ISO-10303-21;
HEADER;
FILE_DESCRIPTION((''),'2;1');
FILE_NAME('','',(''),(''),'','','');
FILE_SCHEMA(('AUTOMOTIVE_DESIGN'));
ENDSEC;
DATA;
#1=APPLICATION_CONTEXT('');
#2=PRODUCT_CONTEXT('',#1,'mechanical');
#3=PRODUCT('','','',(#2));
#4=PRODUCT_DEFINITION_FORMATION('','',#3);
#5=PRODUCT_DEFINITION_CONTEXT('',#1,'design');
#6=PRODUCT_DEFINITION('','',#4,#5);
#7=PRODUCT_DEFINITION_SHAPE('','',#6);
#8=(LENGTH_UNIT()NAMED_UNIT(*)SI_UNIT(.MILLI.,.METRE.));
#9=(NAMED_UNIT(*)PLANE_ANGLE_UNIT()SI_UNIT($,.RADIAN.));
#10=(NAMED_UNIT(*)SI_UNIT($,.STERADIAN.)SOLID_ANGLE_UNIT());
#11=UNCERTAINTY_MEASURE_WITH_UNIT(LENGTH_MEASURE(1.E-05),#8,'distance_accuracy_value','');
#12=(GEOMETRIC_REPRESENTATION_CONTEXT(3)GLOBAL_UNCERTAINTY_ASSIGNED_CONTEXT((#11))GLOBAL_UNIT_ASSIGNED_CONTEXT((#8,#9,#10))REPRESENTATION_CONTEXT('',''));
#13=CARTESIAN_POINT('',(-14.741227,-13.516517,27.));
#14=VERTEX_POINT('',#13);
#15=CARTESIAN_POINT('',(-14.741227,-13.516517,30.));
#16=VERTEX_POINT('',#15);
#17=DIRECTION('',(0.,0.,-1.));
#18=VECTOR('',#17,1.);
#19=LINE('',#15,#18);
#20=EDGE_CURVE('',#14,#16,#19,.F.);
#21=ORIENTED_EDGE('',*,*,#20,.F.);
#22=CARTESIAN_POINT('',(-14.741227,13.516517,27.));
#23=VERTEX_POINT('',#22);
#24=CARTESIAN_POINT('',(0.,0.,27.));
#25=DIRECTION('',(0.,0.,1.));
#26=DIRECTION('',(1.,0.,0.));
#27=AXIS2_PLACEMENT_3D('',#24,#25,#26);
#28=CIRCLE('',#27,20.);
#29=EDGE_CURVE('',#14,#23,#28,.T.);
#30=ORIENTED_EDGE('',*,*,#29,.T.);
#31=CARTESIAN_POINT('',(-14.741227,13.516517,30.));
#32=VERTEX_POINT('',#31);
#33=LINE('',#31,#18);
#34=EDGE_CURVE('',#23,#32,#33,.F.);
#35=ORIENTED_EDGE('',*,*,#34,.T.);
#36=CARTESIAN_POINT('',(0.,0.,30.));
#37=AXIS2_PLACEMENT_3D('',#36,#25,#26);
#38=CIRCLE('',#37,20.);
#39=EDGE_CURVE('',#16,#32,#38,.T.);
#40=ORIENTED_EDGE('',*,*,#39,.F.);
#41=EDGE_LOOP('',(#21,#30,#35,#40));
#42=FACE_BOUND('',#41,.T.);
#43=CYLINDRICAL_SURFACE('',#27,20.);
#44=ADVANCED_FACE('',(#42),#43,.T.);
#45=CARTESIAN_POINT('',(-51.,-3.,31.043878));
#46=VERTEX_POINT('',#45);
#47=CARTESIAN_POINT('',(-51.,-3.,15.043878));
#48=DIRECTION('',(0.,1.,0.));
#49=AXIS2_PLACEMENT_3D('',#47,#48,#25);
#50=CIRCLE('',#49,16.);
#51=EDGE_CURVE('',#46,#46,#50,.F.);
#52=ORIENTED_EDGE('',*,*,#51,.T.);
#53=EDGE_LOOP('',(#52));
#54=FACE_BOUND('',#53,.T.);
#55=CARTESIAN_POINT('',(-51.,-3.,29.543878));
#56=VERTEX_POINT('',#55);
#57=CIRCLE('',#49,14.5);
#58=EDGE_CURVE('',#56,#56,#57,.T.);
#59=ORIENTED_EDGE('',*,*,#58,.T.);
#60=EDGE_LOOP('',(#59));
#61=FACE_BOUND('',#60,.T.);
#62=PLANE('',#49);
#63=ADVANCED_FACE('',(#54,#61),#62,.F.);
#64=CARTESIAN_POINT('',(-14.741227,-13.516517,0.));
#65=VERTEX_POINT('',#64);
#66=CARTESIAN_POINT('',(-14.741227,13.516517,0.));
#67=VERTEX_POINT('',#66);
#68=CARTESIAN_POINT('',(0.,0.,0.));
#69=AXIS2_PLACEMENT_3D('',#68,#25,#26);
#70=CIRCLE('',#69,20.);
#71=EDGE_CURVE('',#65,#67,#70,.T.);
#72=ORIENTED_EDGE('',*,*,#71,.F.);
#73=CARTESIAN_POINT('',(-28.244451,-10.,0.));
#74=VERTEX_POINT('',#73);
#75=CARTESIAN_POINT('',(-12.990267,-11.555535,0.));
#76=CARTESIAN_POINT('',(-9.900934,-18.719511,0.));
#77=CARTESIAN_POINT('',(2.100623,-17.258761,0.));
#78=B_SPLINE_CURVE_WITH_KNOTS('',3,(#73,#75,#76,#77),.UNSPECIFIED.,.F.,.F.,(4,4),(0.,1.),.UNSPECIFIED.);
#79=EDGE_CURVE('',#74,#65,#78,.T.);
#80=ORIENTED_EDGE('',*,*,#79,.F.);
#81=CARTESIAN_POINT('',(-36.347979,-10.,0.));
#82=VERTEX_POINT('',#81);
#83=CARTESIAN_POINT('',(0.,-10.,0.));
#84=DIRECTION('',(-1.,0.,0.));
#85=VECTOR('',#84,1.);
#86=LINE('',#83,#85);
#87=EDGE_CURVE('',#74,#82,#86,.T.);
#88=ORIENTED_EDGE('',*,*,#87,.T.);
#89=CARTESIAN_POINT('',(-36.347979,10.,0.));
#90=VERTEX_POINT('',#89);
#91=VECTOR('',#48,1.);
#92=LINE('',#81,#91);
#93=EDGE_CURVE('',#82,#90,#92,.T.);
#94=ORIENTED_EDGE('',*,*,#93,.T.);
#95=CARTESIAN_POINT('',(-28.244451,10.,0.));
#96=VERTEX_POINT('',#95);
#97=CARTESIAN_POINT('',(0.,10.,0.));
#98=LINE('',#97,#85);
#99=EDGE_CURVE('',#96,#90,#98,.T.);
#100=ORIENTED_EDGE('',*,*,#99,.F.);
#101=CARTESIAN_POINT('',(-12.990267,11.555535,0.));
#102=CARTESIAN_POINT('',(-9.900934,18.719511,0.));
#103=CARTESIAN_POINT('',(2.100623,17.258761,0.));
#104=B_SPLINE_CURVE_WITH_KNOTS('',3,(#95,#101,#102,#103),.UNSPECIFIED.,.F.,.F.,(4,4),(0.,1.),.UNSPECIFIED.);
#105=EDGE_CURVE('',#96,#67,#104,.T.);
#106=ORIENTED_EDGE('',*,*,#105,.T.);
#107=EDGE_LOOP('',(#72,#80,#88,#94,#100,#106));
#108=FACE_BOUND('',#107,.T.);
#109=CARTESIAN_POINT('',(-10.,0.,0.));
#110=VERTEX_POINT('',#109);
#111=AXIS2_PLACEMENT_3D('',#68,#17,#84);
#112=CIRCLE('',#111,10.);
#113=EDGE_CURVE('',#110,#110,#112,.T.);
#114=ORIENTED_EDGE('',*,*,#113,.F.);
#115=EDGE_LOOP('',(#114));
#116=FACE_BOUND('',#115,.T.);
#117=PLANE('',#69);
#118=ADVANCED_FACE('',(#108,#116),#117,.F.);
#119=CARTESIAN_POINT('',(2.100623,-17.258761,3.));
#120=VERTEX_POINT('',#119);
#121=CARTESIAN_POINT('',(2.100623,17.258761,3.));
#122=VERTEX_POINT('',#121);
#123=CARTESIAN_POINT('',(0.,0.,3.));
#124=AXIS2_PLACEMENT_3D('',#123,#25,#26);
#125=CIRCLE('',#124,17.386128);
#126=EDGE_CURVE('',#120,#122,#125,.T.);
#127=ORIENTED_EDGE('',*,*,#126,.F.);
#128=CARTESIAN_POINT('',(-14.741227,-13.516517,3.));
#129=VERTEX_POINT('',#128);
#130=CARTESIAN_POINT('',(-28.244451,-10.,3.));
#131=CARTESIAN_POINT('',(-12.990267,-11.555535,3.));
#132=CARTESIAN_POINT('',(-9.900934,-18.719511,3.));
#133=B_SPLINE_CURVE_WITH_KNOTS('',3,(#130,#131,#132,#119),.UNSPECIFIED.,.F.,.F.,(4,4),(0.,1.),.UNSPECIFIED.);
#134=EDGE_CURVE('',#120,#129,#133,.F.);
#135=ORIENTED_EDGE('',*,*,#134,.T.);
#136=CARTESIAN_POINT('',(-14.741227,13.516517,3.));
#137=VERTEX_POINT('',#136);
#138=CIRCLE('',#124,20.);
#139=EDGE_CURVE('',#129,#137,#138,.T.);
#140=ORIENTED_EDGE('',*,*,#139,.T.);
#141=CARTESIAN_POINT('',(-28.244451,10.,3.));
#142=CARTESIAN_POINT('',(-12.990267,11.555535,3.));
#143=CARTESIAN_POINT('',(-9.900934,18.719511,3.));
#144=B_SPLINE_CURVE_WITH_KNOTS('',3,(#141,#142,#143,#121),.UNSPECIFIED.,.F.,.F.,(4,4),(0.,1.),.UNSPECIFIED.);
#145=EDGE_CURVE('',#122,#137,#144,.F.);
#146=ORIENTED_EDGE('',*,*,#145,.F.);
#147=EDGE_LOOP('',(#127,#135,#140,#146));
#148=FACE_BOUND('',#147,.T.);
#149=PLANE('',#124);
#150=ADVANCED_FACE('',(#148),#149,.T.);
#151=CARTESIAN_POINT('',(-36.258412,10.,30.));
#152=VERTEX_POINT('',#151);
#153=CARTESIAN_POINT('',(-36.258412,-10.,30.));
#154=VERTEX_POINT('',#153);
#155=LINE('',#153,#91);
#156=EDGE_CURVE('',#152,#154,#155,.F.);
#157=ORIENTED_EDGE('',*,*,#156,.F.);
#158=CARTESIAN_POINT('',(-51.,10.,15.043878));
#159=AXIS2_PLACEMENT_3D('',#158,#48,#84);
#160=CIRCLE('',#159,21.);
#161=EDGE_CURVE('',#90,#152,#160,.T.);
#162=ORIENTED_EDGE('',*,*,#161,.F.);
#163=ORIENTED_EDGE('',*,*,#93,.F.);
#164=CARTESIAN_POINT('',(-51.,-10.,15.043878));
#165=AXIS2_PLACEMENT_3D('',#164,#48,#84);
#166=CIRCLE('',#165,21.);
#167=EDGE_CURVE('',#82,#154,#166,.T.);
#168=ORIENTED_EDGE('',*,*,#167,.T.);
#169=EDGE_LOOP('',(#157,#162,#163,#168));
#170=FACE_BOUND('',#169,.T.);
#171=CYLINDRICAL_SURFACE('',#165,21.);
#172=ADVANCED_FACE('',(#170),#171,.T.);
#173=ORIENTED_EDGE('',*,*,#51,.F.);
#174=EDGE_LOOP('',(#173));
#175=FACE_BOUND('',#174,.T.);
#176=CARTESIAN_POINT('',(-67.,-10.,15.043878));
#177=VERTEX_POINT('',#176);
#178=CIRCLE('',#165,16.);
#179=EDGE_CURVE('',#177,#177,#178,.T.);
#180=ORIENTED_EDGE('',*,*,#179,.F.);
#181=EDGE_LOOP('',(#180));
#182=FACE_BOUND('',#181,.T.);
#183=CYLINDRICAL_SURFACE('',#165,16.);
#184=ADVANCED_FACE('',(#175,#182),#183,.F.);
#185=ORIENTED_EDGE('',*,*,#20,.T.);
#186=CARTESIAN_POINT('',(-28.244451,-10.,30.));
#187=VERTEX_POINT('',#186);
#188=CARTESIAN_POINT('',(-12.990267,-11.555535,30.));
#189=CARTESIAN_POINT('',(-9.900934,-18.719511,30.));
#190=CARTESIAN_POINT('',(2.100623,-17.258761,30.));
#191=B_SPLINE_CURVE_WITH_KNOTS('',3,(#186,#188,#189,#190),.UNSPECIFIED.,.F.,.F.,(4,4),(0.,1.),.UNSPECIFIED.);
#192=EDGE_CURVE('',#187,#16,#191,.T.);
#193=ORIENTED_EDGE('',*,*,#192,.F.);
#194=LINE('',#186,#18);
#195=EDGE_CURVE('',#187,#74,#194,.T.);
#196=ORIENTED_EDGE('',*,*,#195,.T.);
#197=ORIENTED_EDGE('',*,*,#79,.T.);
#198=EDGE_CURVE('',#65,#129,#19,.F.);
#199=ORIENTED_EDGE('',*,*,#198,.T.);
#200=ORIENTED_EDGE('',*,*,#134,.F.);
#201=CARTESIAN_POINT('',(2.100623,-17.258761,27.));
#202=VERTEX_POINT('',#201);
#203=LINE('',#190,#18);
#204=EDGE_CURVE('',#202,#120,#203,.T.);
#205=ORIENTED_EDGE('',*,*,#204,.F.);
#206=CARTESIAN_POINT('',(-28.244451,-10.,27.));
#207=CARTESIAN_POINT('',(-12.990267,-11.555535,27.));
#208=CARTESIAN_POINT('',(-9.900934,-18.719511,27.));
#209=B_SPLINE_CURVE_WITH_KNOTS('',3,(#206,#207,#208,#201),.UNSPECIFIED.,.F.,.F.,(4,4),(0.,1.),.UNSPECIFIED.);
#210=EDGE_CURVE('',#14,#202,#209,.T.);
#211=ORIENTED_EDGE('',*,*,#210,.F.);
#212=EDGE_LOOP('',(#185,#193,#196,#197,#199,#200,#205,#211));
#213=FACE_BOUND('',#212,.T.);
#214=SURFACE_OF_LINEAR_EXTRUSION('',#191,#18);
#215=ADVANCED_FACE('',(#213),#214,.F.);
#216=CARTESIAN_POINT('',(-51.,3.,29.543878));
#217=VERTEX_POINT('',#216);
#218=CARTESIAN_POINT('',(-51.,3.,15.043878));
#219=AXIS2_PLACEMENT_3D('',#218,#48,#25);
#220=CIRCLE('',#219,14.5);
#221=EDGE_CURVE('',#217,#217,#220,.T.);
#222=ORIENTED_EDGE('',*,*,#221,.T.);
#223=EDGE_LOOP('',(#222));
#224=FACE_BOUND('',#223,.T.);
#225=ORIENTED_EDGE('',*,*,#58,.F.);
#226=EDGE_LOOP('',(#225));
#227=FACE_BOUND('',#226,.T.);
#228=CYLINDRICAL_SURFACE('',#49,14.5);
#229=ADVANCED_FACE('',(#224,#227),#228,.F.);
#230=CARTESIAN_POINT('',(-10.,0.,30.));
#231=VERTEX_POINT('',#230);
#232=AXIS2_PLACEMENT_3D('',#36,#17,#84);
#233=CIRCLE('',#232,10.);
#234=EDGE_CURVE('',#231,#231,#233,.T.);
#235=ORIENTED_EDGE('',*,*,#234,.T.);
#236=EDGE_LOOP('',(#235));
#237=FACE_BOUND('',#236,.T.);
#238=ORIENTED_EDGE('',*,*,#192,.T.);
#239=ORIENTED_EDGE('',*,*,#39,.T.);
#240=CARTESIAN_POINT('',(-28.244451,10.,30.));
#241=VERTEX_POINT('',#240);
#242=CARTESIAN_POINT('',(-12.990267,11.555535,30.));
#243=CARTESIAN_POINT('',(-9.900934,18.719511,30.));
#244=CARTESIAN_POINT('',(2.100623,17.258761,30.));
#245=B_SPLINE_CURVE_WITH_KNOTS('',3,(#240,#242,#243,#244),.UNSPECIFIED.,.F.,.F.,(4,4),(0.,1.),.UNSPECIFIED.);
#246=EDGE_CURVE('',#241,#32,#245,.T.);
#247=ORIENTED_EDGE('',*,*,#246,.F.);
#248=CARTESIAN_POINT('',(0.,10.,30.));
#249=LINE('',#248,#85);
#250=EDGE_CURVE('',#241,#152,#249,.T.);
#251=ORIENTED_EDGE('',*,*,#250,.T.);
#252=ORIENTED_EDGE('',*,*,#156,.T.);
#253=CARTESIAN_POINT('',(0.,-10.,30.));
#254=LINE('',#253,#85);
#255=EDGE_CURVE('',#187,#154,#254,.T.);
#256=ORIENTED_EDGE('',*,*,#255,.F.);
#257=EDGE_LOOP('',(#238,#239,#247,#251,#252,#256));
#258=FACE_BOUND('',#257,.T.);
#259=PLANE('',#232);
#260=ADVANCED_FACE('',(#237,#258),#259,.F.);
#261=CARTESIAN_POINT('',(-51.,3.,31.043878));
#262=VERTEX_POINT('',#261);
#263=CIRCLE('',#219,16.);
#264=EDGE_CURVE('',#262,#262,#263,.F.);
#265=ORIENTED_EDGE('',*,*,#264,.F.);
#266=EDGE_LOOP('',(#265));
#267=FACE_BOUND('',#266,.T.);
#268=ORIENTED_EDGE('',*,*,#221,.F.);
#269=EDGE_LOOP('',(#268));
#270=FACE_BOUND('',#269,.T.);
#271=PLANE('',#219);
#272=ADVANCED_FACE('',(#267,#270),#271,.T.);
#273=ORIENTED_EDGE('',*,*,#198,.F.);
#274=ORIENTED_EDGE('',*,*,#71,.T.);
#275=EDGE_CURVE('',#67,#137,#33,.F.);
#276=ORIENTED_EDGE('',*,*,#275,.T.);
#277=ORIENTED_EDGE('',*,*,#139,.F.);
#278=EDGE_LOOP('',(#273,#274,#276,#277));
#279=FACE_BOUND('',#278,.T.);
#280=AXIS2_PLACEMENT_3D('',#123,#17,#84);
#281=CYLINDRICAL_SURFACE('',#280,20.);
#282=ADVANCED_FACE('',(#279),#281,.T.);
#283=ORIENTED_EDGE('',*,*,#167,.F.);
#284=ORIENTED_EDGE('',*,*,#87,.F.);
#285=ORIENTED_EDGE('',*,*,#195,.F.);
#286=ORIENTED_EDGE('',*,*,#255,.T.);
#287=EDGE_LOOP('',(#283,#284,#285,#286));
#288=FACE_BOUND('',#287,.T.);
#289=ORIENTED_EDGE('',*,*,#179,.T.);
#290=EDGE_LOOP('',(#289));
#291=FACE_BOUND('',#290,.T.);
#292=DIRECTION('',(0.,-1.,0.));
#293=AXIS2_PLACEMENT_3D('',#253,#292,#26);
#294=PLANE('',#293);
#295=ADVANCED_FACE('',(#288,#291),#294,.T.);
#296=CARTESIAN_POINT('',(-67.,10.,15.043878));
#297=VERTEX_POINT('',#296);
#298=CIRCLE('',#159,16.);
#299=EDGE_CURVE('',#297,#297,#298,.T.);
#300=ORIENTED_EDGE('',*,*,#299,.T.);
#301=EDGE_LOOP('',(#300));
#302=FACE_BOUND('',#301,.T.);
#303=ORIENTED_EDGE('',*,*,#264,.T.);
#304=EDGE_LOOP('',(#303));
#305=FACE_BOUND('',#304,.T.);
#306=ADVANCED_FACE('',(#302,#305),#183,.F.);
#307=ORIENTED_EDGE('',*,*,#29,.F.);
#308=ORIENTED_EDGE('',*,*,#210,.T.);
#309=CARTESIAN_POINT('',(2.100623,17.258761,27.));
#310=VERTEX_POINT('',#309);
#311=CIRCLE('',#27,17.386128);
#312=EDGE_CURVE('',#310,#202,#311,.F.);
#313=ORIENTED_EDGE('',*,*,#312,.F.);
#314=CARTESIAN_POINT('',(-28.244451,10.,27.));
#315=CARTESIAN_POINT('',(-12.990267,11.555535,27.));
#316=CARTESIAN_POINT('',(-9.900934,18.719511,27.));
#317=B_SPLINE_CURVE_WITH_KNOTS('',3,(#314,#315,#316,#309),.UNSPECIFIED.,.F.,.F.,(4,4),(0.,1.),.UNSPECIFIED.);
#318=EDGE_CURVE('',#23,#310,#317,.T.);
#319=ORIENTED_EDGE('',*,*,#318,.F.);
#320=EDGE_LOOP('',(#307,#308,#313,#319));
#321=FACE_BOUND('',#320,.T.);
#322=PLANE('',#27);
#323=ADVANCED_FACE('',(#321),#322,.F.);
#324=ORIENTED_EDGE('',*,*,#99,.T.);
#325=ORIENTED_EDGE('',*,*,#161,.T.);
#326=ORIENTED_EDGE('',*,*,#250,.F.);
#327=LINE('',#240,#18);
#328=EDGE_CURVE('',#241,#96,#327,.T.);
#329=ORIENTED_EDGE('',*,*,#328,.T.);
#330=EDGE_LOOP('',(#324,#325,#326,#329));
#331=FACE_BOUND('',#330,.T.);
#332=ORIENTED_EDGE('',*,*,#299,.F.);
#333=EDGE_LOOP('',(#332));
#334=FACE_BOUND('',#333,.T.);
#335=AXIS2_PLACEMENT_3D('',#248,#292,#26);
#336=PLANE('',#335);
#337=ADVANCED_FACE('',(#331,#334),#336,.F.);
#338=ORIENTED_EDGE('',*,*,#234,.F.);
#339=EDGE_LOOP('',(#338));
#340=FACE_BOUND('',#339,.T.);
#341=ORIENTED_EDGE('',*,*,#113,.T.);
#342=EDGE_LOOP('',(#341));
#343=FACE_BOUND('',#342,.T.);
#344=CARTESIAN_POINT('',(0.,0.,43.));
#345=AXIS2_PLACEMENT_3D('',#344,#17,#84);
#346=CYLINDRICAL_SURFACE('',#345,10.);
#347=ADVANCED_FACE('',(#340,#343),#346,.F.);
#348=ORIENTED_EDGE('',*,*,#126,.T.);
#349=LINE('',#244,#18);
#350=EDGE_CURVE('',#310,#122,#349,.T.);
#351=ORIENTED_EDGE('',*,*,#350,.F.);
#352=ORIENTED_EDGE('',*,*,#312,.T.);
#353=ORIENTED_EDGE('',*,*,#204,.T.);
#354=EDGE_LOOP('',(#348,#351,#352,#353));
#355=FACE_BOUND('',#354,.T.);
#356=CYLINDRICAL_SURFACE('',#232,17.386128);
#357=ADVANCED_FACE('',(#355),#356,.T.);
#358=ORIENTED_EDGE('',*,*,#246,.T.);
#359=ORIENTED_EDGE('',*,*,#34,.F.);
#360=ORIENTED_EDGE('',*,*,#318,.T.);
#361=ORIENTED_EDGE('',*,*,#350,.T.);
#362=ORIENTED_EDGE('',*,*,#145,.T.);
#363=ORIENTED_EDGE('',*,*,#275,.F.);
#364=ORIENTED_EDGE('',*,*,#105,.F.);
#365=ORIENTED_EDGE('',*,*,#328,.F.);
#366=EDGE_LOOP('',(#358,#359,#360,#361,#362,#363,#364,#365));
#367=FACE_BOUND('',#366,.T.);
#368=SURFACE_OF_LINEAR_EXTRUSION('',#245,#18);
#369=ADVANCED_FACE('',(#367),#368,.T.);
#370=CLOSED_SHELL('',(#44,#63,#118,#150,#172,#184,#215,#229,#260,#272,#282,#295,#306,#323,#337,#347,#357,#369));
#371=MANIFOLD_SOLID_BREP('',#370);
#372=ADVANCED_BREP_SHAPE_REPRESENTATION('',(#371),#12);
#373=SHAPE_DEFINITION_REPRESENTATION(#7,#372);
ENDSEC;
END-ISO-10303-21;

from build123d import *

# Parameters (mm, degrees)
SKETCH1_R                = 20
BOSS_EXTRUDE1_DEPTH      = 3
BOSS_EXTRUDE2_DEPTH      = 30
BOSS_EXTRUDE3_START      = -3
SKETCH3_R                = 20
BOSS_EXTRUDE3_DEPTH      = 3
SKETCH4_R                = 10
CUT_EXTRUDE1_DEPTH       = 43
SKETCH6_R                = 21
SKETCH6_R_2              = 16
BOSS_EXTRUDE4_DEPTH      = 20
SKETCH7_R                = 16
CUT_EXTRUDE2_DEPTH       = 20
BOSS_EXTRUDE5_DEPTH      = 3
BOSS_EXTRUDE5_DEPTH_BACK = 3
SKETCH8_R                = 21
SKETCH8_R_2              = 14.5


with BuildPart() as part:
    # Sketch1 → Boss-Extrude1 (new body)
    with BuildSketch(Plane.XY):
        Circle(SKETCH1_R)
    extrude(amount=BOSS_EXTRUDE1_DEPTH)

    # Sketch2 → Boss-Extrude2 (add)
    with BuildSketch(Plane(origin=(0, 0, 0), x_dir=(-1, 0, 0), z_dir=(0, 0, -1))):
        with BuildLine():
            Line((40, 10), (40, -10))
            Line((40, -10), (28.244450832, -10))
            add(Edge.make_bspline(
                [(28.244450832, -10), (12.990267169, -11.555535356), (9.900933724, -18.719511351), (-2.100622964, -17.258760722)],
                knots=[0, 0, 0, 0, 1, 1, 1, 1], degree=3))
            ThreePointArc((-2.100622964, -17.258760722), (-17.38612776, 0), (-2.100622964, 17.258760722))
            add(Edge.make_bspline(
                [(28.244450832, 10), (12.990267169, 11.555535356), (9.900933724, 18.719511351), (-2.100622964, 17.258760722)],
                knots=[0, 0, 0, 0, 1, 1, 1, 1], degree=3))
            Line((28.244450832, 10), (40, 10))
        make_face()
    extrude(amount=-BOSS_EXTRUDE2_DEPTH)

    # Sketch3 → Boss-Extrude3 (add)
    with BuildSketch(Plane.XY.offset(30).offset(BOSS_EXTRUDE3_START)):
        Circle(SKETCH3_R)
    extrude(amount=BOSS_EXTRUDE3_DEPTH)

    # Sketch4 → Cut-Extrude1 (cut)
    with BuildSketch(Plane(origin=(0, 0, 0), x_dir=(-1, 0, 0), z_dir=(0, 0, -1))):
        Circle(SKETCH4_R)
    extrude(amount=-CUT_EXTRUDE1_DEPTH, mode=Mode.SUBTRACT)

    # Sketch6 → Boss-Extrude4 (add)
    with BuildSketch(Plane(origin=(0, 10, 0), x_dir=(1, 0, 0), z_dir=(0, 1, 0))):
        with Locations((-51, -15.043878404)):
            Circle(SKETCH6_R)
        with Locations((-51, -15.043878404)):
            Circle(SKETCH6_R_2, mode=Mode.SUBTRACT)
    extrude(amount=-BOSS_EXTRUDE4_DEPTH)

    # Sketch7 → Cut-Extrude2 (cut)
    with BuildSketch(Plane(origin=(0, 10, 0), x_dir=(1, 0, 0), z_dir=(0, 1, 0))):
        with Locations(Location((-51, -15.043878404, 0), (0, 0, 180))):
            Circle(SKETCH7_R)
    extrude(amount=-CUT_EXTRUDE2_DEPTH, mode=Mode.SUBTRACT)

    # Sketch8 → Boss-Extrude5 (add, two sides: drawn at the far end of the back side and taken through both)
    with BuildSketch(Plane(origin=(0, 0, 0), x_dir=(1, 0, 0), z_dir=(0, 1, 0)).offset(-BOSS_EXTRUDE5_DEPTH_BACK)):
        with Locations((-51, -15.043878404)):
            Circle(SKETCH8_R)
        with Locations(Location((-51, -15.043878404, 0), (0, 0, 270))):
            Circle(SKETCH8_R_2, mode=Mode.SUBTRACT)
    extrude(amount=BOSS_EXTRUDE5_DEPTH + BOSS_EXTRUDE5_DEPTH_BACK)


solid = part.part
